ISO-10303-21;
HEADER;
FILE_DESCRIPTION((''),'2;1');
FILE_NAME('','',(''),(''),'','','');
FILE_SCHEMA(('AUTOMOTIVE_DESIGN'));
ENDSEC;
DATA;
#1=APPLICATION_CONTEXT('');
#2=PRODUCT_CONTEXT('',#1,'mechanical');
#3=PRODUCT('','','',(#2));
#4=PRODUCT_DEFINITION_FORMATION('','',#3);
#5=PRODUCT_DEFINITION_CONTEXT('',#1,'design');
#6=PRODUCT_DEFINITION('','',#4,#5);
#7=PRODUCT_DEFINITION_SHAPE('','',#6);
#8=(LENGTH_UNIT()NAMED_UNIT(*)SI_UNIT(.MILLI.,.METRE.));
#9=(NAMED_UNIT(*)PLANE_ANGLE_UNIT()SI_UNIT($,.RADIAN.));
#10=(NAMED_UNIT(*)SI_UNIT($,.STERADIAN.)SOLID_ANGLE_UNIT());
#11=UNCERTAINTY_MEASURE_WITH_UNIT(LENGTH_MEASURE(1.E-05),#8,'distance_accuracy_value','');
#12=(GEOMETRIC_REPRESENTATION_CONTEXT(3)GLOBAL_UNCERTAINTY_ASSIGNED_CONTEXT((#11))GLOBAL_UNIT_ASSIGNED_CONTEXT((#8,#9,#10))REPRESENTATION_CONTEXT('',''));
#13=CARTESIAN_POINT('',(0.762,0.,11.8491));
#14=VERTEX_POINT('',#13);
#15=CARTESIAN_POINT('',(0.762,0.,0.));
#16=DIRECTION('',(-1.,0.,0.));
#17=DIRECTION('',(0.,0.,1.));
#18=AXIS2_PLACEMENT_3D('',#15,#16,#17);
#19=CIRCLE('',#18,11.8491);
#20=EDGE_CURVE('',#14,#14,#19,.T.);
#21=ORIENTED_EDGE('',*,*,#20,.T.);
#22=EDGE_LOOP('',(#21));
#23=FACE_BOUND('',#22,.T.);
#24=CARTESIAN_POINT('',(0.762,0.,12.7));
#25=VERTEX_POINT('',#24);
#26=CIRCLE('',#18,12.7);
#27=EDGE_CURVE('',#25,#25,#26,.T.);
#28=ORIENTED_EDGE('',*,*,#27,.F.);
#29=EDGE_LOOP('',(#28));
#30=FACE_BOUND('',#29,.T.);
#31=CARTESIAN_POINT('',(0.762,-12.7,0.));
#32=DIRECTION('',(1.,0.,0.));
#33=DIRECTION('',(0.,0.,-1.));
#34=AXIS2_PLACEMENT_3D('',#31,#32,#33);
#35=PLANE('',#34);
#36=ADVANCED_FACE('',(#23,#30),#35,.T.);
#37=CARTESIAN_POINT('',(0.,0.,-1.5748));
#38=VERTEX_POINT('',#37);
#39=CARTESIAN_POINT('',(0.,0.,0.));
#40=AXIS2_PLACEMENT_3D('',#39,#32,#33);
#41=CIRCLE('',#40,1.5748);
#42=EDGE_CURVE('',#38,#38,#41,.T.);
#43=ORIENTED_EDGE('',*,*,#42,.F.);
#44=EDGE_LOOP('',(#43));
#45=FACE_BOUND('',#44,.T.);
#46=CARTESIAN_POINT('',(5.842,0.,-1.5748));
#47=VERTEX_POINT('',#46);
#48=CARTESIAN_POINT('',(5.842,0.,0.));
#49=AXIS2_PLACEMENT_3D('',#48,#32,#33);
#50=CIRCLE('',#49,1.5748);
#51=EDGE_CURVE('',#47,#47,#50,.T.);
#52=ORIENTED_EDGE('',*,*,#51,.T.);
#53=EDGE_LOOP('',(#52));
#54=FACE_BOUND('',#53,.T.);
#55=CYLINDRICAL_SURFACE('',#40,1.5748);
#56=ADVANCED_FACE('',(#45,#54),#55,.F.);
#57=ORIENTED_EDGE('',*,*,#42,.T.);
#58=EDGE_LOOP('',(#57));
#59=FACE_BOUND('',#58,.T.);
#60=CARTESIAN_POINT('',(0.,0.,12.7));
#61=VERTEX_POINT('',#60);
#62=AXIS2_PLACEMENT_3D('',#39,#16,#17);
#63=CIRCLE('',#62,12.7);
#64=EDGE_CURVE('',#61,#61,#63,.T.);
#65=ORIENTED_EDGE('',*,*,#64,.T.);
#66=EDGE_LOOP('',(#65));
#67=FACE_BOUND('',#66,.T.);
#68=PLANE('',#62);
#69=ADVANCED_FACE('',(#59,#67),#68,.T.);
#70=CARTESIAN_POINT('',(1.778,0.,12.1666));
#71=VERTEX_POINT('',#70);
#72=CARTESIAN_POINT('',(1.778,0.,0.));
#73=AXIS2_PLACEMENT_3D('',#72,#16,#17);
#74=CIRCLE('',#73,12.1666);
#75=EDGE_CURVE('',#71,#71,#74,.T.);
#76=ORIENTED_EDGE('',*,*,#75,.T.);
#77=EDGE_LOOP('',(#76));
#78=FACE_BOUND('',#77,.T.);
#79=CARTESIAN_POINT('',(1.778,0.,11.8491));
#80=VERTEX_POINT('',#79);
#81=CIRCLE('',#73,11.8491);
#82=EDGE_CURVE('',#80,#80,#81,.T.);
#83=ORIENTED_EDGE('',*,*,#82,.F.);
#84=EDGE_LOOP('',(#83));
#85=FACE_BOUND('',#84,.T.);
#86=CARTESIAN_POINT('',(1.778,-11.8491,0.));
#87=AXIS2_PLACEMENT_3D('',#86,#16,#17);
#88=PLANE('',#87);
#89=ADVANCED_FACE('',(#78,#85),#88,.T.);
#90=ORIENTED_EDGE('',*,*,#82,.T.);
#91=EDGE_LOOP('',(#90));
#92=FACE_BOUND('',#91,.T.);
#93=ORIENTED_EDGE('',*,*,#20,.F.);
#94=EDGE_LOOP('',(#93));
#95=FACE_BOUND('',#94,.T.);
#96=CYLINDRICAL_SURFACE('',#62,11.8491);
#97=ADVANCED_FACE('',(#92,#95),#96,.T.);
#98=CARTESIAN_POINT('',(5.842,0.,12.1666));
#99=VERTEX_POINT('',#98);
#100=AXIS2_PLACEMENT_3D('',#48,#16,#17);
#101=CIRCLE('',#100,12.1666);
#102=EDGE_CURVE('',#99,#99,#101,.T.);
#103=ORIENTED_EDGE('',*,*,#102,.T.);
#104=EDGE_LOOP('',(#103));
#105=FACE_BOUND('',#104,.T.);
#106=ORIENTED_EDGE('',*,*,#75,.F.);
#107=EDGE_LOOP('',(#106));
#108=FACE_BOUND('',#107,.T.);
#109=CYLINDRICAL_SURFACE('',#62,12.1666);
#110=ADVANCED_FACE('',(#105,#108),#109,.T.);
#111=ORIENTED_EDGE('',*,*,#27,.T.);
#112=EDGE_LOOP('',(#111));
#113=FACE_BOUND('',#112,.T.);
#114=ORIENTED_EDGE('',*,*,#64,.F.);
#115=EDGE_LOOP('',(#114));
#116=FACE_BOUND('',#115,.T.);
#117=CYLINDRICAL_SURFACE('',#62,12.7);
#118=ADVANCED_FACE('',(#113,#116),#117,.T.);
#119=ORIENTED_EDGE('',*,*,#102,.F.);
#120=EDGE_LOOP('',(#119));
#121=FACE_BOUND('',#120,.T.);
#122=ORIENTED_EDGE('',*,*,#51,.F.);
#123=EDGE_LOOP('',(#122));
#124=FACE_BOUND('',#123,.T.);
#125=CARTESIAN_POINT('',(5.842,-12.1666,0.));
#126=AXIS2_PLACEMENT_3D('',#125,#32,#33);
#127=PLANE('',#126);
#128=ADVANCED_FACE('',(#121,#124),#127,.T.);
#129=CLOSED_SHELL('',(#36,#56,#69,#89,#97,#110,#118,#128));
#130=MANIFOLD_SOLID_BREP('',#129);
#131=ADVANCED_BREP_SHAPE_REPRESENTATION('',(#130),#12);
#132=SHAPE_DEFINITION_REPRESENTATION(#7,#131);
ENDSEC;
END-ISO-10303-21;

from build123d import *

# Parameters (mm, degrees)
SKETCH3_R          = 1.5748
CUT_EXTRUDE1_DEPTH = 19.886740428


with BuildPart() as part:
    # Sketch2 → Revolve1 (revolve)
    with BuildSketch(Plane.XY, mode=Mode.PRIVATE) as revolve1_sk:
        Polygon((0, 0), (0, -12.7), (0.762, -12.7), (0.762, -11.8491), (1.778, -11.8491), (1.778, -12.1666), (5.842, -12.1666), (5.842, 0), align=None)
    revolve(revolve1_sk.sketch.rotate(Axis((0, 0, 0), (1, 0, 0)), 270), axis=Axis((0, 0, 0), (1, 0, 0)))

    # Sketch3 → Cut-Extrude1 (cut, through all)
    with BuildSketch(Plane(origin=(5.842, 0, 0), x_dir=(0, 0, -1), z_dir=(1, 0, 0))):
        Circle(SKETCH3_R)
    extrude(amount=-CUT_EXTRUDE1_DEPTH, mode=Mode.SUBTRACT)


solid = part.part
